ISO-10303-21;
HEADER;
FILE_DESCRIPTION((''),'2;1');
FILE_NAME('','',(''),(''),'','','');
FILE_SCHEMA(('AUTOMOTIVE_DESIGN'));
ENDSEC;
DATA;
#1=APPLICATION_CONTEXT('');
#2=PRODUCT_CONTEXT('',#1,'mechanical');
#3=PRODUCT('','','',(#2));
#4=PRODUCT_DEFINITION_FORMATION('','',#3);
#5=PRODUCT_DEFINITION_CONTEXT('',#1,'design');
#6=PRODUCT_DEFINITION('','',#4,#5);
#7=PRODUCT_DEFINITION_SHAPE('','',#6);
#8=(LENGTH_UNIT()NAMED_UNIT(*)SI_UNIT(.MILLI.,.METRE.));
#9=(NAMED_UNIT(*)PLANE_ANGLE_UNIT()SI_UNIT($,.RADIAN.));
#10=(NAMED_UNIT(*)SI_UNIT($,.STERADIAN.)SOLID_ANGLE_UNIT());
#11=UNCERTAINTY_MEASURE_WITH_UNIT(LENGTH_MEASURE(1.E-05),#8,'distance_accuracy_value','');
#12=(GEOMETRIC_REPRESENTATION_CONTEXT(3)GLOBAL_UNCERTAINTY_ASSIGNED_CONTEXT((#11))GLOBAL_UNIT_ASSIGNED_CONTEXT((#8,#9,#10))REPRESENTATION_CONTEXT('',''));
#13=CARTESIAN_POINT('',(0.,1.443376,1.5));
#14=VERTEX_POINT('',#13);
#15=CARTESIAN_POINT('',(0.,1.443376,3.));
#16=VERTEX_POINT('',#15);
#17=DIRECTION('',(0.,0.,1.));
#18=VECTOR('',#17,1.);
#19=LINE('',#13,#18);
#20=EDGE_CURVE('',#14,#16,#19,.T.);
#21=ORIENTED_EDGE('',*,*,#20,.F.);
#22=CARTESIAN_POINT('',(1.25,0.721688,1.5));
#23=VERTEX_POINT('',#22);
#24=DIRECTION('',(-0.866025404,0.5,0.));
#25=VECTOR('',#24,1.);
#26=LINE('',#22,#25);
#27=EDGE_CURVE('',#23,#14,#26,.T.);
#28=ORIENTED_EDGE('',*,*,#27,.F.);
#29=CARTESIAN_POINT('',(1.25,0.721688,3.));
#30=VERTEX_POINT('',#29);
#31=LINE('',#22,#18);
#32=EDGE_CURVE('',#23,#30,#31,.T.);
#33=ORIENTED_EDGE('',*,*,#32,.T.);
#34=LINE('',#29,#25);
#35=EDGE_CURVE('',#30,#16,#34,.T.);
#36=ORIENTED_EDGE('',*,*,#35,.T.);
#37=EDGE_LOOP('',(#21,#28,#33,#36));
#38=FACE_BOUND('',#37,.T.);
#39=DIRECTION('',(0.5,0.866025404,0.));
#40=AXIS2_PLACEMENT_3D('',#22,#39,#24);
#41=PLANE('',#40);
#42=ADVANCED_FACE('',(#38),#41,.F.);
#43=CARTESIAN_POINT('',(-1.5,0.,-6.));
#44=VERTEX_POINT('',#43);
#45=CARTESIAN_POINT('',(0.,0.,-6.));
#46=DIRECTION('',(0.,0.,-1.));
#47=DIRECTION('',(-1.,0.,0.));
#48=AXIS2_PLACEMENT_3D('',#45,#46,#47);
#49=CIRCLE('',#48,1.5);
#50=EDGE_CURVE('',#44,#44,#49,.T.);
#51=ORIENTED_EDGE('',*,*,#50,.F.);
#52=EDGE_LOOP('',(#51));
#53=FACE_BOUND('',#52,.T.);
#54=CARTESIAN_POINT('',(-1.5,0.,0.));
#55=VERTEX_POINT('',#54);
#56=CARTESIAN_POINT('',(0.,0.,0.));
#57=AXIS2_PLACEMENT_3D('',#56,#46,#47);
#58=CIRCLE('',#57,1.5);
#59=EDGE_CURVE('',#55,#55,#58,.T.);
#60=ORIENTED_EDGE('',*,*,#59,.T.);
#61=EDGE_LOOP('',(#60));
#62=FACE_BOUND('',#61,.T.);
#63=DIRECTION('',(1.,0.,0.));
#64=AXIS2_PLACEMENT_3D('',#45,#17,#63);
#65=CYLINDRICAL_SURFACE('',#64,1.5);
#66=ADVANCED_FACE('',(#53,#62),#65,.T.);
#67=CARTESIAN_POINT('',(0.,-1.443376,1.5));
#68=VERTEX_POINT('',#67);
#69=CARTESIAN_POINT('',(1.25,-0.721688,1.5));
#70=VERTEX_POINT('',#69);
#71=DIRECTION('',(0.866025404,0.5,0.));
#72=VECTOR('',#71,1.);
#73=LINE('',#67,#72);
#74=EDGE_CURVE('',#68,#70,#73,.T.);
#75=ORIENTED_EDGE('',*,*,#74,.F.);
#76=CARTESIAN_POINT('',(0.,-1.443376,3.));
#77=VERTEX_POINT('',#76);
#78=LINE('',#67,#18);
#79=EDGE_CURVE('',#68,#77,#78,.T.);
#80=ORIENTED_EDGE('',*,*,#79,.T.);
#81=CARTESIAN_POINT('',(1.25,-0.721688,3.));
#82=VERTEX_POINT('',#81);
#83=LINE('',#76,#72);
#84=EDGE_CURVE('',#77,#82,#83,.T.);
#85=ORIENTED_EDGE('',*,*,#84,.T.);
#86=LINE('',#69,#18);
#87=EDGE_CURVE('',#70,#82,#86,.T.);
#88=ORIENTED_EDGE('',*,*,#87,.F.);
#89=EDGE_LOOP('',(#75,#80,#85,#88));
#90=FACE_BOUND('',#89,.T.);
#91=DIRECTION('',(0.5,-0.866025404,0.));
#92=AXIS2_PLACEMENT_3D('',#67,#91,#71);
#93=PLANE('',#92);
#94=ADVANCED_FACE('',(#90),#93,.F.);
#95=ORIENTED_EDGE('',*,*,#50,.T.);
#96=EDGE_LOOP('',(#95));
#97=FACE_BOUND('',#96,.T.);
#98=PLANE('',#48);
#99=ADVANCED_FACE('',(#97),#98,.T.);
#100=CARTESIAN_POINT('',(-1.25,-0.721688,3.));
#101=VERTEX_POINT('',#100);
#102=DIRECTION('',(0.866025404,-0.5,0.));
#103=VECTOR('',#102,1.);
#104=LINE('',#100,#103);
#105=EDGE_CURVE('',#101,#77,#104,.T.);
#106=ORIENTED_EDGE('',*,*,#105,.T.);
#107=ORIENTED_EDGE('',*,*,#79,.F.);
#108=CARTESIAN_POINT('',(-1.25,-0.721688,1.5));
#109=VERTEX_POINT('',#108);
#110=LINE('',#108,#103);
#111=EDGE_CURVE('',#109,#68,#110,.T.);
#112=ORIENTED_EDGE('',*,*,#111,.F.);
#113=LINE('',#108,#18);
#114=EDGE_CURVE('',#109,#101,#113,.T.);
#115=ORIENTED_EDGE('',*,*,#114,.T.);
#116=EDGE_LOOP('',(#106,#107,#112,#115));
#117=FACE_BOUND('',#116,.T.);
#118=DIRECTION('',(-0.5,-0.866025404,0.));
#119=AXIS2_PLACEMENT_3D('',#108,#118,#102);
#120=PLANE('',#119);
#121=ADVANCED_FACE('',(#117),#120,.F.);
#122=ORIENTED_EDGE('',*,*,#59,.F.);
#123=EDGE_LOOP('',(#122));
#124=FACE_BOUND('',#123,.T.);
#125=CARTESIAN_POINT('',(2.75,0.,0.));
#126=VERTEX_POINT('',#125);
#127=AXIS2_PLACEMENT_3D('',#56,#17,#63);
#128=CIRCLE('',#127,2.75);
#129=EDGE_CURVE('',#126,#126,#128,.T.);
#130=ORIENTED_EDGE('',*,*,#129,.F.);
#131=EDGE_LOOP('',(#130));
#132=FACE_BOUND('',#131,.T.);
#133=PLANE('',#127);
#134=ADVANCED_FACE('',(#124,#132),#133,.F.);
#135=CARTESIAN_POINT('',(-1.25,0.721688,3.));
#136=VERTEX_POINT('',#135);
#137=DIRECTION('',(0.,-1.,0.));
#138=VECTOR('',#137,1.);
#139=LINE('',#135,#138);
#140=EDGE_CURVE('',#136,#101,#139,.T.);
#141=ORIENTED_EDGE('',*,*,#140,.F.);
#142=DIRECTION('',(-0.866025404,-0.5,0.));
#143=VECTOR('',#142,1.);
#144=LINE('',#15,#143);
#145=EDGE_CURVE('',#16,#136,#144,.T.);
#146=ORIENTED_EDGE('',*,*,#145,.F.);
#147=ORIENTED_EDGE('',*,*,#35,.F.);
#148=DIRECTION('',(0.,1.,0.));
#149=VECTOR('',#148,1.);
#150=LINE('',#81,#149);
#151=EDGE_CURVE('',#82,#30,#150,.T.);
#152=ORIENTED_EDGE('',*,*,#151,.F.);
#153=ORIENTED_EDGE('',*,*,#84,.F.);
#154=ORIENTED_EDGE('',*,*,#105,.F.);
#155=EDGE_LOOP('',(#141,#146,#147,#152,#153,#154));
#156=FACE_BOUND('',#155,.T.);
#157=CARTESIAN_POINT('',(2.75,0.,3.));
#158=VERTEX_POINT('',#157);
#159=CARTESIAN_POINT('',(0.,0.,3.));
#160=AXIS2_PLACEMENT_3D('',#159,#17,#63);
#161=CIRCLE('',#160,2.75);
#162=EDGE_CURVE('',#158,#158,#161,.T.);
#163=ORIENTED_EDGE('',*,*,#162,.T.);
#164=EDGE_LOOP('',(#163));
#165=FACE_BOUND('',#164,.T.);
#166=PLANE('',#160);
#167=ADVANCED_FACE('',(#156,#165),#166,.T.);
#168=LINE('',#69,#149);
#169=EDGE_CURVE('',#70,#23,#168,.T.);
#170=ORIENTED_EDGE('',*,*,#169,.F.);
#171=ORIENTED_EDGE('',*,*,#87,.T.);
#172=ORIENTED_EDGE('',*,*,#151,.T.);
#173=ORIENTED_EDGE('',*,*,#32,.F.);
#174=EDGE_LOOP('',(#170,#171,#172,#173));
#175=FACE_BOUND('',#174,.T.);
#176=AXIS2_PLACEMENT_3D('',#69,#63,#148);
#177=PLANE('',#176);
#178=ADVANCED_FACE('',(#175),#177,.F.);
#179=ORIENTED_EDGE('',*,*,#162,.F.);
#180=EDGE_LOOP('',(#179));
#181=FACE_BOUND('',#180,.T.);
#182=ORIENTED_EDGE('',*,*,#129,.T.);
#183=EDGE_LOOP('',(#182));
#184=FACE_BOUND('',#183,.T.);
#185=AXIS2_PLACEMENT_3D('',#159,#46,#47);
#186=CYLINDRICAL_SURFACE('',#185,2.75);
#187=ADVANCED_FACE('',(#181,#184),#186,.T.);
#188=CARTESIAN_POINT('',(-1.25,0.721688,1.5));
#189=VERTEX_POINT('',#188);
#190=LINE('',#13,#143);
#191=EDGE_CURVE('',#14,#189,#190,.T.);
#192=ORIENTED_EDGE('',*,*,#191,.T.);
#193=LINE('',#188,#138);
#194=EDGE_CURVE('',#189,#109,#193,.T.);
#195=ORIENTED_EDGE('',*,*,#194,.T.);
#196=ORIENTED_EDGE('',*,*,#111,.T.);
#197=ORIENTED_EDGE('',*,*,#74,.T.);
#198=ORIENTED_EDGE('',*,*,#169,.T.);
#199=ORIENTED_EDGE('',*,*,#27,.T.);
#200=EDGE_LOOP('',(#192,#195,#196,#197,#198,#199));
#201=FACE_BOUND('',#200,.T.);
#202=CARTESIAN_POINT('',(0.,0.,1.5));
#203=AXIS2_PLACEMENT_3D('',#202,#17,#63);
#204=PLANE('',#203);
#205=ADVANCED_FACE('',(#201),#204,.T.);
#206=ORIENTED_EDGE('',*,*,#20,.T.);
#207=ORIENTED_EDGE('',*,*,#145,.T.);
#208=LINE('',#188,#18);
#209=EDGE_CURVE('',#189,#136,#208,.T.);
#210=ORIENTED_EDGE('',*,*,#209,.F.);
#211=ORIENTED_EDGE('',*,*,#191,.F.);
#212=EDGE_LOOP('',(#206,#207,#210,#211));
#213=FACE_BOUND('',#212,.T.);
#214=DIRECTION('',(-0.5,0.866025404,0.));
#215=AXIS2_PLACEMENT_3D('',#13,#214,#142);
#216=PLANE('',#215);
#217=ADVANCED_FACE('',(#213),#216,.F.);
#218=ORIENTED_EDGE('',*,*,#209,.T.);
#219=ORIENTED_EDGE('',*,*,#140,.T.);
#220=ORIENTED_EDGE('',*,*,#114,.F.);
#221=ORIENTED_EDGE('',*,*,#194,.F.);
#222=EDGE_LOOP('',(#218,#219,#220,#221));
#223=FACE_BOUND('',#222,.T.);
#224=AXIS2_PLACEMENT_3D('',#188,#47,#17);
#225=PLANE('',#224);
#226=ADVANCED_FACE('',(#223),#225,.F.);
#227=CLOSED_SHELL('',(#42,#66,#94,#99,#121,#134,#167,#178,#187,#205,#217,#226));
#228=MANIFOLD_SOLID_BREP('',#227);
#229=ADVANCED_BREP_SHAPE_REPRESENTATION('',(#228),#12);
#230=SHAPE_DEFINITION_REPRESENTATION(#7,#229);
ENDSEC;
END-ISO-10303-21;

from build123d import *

# Parameters (mm, degrees)
SKETCH_1_R          = 2.75
EXTRUDE_1_DEPTH     = 3
CUT_EXTRUDE_1_DEPTH = 1.5
SKETCH_3_R          = 1.5
EXTRUDE_2_DEPTH     = 6


with BuildPart() as part:
    # 草图1 → 凸台-拉伸1 (new body)
    with BuildSketch(Plane.XY):
        Circle(SKETCH_1_R)
    extrude(amount=EXTRUDE_1_DEPTH)

    # 草图2 → 切除-拉伸1 (cut)
    with BuildSketch(Plane.XY.offset(3)):
        Polygon((0, -1.443375673), (1.25, -0.721687836), (1.25, 0.721687836), (0, 1.443375673), (-1.25, 0.721687836), (-1.25, -0.721687836), align=None)
    extrude(amount=-CUT_EXTRUDE_1_DEPTH, mode=Mode.SUBTRACT)

    # 草图3 → 凸台-拉伸2 (add)
    with BuildSketch(Plane(origin=(0, 0, 0), x_dir=(-1, 0, 0), z_dir=(0, 0, -1))):
        Circle(SKETCH_3_R)
    extrude(amount=EXTRUDE_2_DEPTH)


solid = part.part
